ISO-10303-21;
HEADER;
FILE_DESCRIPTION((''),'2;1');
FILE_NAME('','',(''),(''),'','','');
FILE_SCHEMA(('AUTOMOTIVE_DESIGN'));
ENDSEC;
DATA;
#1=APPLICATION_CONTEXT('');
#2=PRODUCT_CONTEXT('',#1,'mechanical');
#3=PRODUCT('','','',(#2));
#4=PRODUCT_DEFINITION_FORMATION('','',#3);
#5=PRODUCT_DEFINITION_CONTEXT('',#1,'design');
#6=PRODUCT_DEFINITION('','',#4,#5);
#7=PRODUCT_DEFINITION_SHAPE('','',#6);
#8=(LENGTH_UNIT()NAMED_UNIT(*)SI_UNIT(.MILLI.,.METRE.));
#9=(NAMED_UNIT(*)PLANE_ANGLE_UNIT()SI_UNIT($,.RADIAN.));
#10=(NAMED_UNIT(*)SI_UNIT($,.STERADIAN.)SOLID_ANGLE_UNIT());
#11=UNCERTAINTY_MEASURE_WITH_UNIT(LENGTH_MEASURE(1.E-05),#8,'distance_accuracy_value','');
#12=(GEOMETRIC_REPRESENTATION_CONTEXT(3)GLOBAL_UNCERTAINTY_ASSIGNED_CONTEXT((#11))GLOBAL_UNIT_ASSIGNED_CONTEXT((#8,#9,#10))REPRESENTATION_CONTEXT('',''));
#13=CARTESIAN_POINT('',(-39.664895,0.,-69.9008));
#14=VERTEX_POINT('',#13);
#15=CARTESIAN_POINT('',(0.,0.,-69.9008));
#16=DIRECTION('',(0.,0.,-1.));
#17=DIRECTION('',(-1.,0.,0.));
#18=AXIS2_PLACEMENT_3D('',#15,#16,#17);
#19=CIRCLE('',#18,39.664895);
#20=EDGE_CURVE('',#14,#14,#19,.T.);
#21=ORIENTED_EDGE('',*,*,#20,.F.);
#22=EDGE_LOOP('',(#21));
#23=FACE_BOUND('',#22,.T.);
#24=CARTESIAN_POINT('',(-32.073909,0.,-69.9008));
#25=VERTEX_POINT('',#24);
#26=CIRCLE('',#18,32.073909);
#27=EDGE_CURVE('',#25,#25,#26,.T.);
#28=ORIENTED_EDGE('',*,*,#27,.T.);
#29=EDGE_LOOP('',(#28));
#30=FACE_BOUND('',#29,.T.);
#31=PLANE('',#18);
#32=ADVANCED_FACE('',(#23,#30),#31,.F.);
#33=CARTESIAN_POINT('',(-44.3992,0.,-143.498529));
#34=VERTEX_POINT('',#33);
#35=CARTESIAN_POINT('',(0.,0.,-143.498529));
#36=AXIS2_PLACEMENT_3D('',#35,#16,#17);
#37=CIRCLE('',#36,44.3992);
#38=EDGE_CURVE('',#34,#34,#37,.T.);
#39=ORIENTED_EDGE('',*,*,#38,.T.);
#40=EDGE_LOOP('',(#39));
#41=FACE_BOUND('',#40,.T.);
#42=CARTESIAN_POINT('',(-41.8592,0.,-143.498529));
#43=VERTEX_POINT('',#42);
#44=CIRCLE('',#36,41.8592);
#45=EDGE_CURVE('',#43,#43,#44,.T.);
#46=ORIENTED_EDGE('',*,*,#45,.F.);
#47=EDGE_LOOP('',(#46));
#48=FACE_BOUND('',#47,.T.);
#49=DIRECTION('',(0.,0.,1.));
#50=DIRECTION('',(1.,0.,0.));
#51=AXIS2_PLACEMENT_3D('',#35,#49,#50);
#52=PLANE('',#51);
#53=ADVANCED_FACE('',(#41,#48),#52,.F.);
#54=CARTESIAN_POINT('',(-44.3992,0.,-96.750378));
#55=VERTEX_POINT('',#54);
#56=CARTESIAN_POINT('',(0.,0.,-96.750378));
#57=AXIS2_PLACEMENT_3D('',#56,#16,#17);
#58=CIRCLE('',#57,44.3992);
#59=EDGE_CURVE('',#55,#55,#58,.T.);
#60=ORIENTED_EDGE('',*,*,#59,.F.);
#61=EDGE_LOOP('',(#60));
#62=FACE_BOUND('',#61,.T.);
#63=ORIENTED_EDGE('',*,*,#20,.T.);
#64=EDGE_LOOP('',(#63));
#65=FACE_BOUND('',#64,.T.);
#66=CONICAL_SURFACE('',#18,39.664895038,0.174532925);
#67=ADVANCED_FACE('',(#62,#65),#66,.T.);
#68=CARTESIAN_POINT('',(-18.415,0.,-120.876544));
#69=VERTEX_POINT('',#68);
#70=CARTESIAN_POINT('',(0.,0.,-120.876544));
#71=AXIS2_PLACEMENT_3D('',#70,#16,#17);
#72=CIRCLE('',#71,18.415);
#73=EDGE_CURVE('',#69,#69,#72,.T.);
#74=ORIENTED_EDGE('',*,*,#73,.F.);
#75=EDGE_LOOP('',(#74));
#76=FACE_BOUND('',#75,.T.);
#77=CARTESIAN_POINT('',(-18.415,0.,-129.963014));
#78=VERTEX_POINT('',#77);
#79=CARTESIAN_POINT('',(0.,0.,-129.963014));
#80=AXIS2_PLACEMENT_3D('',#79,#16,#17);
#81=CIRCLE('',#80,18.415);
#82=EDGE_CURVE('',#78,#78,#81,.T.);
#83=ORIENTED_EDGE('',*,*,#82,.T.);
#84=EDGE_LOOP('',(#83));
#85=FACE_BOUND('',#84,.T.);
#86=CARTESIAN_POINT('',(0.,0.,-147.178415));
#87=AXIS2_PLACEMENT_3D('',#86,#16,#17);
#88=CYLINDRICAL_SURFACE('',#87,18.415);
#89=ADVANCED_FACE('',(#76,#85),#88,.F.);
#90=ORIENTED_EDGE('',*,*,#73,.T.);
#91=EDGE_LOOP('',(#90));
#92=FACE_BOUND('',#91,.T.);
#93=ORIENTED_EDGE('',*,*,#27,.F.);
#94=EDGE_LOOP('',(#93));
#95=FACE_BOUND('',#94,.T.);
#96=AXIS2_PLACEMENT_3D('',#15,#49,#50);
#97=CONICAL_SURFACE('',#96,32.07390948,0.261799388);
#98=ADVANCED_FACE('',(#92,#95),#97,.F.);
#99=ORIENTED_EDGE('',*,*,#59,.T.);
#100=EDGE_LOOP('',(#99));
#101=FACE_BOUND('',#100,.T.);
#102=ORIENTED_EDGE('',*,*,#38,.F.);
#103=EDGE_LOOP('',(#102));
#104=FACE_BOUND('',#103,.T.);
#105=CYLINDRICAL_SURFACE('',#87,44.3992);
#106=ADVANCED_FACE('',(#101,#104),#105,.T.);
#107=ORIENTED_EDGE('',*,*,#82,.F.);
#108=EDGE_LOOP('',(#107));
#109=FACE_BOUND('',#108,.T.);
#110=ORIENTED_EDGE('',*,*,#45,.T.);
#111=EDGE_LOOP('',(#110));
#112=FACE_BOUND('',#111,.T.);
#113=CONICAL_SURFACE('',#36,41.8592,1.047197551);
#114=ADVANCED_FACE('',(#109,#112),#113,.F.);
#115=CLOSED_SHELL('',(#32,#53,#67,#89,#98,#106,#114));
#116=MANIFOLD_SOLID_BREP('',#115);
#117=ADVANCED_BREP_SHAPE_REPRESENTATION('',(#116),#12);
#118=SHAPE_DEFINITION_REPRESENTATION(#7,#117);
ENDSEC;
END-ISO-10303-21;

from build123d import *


with BuildPart() as part:
    # Sketch1 → Revolve1 (revolve)
    with BuildSketch(Plane(origin=(0, 0, 0), x_dir=(1, 0, 0), z_dir=(0, 1, 0)), mode=Mode.PRIVATE) as revolve1_sk:
        Polygon((18.415, 129.963013839), (18.415, 128.496544155), (44.3992, 143.49852902), (41.8592, 143.49852902), align=None)
        Polygon((44.3992, 96.750377662), (44.3992, 114.3), (44.3992, 143.49852902), (18.415, 128.496544155), (18.415, 120.876544155), (32.07390948, 69.9008), (39.664895038, 69.9008), (40.777169393, 76.208821327), align=None)
    revolve(revolve1_sk.sketch.rotate(Axis((0, 0, -147.178415471), (0, 0, 1)), 180), axis=Axis((0, 0, -147.178415471), (0, 0, 1)))


solid = part.part
